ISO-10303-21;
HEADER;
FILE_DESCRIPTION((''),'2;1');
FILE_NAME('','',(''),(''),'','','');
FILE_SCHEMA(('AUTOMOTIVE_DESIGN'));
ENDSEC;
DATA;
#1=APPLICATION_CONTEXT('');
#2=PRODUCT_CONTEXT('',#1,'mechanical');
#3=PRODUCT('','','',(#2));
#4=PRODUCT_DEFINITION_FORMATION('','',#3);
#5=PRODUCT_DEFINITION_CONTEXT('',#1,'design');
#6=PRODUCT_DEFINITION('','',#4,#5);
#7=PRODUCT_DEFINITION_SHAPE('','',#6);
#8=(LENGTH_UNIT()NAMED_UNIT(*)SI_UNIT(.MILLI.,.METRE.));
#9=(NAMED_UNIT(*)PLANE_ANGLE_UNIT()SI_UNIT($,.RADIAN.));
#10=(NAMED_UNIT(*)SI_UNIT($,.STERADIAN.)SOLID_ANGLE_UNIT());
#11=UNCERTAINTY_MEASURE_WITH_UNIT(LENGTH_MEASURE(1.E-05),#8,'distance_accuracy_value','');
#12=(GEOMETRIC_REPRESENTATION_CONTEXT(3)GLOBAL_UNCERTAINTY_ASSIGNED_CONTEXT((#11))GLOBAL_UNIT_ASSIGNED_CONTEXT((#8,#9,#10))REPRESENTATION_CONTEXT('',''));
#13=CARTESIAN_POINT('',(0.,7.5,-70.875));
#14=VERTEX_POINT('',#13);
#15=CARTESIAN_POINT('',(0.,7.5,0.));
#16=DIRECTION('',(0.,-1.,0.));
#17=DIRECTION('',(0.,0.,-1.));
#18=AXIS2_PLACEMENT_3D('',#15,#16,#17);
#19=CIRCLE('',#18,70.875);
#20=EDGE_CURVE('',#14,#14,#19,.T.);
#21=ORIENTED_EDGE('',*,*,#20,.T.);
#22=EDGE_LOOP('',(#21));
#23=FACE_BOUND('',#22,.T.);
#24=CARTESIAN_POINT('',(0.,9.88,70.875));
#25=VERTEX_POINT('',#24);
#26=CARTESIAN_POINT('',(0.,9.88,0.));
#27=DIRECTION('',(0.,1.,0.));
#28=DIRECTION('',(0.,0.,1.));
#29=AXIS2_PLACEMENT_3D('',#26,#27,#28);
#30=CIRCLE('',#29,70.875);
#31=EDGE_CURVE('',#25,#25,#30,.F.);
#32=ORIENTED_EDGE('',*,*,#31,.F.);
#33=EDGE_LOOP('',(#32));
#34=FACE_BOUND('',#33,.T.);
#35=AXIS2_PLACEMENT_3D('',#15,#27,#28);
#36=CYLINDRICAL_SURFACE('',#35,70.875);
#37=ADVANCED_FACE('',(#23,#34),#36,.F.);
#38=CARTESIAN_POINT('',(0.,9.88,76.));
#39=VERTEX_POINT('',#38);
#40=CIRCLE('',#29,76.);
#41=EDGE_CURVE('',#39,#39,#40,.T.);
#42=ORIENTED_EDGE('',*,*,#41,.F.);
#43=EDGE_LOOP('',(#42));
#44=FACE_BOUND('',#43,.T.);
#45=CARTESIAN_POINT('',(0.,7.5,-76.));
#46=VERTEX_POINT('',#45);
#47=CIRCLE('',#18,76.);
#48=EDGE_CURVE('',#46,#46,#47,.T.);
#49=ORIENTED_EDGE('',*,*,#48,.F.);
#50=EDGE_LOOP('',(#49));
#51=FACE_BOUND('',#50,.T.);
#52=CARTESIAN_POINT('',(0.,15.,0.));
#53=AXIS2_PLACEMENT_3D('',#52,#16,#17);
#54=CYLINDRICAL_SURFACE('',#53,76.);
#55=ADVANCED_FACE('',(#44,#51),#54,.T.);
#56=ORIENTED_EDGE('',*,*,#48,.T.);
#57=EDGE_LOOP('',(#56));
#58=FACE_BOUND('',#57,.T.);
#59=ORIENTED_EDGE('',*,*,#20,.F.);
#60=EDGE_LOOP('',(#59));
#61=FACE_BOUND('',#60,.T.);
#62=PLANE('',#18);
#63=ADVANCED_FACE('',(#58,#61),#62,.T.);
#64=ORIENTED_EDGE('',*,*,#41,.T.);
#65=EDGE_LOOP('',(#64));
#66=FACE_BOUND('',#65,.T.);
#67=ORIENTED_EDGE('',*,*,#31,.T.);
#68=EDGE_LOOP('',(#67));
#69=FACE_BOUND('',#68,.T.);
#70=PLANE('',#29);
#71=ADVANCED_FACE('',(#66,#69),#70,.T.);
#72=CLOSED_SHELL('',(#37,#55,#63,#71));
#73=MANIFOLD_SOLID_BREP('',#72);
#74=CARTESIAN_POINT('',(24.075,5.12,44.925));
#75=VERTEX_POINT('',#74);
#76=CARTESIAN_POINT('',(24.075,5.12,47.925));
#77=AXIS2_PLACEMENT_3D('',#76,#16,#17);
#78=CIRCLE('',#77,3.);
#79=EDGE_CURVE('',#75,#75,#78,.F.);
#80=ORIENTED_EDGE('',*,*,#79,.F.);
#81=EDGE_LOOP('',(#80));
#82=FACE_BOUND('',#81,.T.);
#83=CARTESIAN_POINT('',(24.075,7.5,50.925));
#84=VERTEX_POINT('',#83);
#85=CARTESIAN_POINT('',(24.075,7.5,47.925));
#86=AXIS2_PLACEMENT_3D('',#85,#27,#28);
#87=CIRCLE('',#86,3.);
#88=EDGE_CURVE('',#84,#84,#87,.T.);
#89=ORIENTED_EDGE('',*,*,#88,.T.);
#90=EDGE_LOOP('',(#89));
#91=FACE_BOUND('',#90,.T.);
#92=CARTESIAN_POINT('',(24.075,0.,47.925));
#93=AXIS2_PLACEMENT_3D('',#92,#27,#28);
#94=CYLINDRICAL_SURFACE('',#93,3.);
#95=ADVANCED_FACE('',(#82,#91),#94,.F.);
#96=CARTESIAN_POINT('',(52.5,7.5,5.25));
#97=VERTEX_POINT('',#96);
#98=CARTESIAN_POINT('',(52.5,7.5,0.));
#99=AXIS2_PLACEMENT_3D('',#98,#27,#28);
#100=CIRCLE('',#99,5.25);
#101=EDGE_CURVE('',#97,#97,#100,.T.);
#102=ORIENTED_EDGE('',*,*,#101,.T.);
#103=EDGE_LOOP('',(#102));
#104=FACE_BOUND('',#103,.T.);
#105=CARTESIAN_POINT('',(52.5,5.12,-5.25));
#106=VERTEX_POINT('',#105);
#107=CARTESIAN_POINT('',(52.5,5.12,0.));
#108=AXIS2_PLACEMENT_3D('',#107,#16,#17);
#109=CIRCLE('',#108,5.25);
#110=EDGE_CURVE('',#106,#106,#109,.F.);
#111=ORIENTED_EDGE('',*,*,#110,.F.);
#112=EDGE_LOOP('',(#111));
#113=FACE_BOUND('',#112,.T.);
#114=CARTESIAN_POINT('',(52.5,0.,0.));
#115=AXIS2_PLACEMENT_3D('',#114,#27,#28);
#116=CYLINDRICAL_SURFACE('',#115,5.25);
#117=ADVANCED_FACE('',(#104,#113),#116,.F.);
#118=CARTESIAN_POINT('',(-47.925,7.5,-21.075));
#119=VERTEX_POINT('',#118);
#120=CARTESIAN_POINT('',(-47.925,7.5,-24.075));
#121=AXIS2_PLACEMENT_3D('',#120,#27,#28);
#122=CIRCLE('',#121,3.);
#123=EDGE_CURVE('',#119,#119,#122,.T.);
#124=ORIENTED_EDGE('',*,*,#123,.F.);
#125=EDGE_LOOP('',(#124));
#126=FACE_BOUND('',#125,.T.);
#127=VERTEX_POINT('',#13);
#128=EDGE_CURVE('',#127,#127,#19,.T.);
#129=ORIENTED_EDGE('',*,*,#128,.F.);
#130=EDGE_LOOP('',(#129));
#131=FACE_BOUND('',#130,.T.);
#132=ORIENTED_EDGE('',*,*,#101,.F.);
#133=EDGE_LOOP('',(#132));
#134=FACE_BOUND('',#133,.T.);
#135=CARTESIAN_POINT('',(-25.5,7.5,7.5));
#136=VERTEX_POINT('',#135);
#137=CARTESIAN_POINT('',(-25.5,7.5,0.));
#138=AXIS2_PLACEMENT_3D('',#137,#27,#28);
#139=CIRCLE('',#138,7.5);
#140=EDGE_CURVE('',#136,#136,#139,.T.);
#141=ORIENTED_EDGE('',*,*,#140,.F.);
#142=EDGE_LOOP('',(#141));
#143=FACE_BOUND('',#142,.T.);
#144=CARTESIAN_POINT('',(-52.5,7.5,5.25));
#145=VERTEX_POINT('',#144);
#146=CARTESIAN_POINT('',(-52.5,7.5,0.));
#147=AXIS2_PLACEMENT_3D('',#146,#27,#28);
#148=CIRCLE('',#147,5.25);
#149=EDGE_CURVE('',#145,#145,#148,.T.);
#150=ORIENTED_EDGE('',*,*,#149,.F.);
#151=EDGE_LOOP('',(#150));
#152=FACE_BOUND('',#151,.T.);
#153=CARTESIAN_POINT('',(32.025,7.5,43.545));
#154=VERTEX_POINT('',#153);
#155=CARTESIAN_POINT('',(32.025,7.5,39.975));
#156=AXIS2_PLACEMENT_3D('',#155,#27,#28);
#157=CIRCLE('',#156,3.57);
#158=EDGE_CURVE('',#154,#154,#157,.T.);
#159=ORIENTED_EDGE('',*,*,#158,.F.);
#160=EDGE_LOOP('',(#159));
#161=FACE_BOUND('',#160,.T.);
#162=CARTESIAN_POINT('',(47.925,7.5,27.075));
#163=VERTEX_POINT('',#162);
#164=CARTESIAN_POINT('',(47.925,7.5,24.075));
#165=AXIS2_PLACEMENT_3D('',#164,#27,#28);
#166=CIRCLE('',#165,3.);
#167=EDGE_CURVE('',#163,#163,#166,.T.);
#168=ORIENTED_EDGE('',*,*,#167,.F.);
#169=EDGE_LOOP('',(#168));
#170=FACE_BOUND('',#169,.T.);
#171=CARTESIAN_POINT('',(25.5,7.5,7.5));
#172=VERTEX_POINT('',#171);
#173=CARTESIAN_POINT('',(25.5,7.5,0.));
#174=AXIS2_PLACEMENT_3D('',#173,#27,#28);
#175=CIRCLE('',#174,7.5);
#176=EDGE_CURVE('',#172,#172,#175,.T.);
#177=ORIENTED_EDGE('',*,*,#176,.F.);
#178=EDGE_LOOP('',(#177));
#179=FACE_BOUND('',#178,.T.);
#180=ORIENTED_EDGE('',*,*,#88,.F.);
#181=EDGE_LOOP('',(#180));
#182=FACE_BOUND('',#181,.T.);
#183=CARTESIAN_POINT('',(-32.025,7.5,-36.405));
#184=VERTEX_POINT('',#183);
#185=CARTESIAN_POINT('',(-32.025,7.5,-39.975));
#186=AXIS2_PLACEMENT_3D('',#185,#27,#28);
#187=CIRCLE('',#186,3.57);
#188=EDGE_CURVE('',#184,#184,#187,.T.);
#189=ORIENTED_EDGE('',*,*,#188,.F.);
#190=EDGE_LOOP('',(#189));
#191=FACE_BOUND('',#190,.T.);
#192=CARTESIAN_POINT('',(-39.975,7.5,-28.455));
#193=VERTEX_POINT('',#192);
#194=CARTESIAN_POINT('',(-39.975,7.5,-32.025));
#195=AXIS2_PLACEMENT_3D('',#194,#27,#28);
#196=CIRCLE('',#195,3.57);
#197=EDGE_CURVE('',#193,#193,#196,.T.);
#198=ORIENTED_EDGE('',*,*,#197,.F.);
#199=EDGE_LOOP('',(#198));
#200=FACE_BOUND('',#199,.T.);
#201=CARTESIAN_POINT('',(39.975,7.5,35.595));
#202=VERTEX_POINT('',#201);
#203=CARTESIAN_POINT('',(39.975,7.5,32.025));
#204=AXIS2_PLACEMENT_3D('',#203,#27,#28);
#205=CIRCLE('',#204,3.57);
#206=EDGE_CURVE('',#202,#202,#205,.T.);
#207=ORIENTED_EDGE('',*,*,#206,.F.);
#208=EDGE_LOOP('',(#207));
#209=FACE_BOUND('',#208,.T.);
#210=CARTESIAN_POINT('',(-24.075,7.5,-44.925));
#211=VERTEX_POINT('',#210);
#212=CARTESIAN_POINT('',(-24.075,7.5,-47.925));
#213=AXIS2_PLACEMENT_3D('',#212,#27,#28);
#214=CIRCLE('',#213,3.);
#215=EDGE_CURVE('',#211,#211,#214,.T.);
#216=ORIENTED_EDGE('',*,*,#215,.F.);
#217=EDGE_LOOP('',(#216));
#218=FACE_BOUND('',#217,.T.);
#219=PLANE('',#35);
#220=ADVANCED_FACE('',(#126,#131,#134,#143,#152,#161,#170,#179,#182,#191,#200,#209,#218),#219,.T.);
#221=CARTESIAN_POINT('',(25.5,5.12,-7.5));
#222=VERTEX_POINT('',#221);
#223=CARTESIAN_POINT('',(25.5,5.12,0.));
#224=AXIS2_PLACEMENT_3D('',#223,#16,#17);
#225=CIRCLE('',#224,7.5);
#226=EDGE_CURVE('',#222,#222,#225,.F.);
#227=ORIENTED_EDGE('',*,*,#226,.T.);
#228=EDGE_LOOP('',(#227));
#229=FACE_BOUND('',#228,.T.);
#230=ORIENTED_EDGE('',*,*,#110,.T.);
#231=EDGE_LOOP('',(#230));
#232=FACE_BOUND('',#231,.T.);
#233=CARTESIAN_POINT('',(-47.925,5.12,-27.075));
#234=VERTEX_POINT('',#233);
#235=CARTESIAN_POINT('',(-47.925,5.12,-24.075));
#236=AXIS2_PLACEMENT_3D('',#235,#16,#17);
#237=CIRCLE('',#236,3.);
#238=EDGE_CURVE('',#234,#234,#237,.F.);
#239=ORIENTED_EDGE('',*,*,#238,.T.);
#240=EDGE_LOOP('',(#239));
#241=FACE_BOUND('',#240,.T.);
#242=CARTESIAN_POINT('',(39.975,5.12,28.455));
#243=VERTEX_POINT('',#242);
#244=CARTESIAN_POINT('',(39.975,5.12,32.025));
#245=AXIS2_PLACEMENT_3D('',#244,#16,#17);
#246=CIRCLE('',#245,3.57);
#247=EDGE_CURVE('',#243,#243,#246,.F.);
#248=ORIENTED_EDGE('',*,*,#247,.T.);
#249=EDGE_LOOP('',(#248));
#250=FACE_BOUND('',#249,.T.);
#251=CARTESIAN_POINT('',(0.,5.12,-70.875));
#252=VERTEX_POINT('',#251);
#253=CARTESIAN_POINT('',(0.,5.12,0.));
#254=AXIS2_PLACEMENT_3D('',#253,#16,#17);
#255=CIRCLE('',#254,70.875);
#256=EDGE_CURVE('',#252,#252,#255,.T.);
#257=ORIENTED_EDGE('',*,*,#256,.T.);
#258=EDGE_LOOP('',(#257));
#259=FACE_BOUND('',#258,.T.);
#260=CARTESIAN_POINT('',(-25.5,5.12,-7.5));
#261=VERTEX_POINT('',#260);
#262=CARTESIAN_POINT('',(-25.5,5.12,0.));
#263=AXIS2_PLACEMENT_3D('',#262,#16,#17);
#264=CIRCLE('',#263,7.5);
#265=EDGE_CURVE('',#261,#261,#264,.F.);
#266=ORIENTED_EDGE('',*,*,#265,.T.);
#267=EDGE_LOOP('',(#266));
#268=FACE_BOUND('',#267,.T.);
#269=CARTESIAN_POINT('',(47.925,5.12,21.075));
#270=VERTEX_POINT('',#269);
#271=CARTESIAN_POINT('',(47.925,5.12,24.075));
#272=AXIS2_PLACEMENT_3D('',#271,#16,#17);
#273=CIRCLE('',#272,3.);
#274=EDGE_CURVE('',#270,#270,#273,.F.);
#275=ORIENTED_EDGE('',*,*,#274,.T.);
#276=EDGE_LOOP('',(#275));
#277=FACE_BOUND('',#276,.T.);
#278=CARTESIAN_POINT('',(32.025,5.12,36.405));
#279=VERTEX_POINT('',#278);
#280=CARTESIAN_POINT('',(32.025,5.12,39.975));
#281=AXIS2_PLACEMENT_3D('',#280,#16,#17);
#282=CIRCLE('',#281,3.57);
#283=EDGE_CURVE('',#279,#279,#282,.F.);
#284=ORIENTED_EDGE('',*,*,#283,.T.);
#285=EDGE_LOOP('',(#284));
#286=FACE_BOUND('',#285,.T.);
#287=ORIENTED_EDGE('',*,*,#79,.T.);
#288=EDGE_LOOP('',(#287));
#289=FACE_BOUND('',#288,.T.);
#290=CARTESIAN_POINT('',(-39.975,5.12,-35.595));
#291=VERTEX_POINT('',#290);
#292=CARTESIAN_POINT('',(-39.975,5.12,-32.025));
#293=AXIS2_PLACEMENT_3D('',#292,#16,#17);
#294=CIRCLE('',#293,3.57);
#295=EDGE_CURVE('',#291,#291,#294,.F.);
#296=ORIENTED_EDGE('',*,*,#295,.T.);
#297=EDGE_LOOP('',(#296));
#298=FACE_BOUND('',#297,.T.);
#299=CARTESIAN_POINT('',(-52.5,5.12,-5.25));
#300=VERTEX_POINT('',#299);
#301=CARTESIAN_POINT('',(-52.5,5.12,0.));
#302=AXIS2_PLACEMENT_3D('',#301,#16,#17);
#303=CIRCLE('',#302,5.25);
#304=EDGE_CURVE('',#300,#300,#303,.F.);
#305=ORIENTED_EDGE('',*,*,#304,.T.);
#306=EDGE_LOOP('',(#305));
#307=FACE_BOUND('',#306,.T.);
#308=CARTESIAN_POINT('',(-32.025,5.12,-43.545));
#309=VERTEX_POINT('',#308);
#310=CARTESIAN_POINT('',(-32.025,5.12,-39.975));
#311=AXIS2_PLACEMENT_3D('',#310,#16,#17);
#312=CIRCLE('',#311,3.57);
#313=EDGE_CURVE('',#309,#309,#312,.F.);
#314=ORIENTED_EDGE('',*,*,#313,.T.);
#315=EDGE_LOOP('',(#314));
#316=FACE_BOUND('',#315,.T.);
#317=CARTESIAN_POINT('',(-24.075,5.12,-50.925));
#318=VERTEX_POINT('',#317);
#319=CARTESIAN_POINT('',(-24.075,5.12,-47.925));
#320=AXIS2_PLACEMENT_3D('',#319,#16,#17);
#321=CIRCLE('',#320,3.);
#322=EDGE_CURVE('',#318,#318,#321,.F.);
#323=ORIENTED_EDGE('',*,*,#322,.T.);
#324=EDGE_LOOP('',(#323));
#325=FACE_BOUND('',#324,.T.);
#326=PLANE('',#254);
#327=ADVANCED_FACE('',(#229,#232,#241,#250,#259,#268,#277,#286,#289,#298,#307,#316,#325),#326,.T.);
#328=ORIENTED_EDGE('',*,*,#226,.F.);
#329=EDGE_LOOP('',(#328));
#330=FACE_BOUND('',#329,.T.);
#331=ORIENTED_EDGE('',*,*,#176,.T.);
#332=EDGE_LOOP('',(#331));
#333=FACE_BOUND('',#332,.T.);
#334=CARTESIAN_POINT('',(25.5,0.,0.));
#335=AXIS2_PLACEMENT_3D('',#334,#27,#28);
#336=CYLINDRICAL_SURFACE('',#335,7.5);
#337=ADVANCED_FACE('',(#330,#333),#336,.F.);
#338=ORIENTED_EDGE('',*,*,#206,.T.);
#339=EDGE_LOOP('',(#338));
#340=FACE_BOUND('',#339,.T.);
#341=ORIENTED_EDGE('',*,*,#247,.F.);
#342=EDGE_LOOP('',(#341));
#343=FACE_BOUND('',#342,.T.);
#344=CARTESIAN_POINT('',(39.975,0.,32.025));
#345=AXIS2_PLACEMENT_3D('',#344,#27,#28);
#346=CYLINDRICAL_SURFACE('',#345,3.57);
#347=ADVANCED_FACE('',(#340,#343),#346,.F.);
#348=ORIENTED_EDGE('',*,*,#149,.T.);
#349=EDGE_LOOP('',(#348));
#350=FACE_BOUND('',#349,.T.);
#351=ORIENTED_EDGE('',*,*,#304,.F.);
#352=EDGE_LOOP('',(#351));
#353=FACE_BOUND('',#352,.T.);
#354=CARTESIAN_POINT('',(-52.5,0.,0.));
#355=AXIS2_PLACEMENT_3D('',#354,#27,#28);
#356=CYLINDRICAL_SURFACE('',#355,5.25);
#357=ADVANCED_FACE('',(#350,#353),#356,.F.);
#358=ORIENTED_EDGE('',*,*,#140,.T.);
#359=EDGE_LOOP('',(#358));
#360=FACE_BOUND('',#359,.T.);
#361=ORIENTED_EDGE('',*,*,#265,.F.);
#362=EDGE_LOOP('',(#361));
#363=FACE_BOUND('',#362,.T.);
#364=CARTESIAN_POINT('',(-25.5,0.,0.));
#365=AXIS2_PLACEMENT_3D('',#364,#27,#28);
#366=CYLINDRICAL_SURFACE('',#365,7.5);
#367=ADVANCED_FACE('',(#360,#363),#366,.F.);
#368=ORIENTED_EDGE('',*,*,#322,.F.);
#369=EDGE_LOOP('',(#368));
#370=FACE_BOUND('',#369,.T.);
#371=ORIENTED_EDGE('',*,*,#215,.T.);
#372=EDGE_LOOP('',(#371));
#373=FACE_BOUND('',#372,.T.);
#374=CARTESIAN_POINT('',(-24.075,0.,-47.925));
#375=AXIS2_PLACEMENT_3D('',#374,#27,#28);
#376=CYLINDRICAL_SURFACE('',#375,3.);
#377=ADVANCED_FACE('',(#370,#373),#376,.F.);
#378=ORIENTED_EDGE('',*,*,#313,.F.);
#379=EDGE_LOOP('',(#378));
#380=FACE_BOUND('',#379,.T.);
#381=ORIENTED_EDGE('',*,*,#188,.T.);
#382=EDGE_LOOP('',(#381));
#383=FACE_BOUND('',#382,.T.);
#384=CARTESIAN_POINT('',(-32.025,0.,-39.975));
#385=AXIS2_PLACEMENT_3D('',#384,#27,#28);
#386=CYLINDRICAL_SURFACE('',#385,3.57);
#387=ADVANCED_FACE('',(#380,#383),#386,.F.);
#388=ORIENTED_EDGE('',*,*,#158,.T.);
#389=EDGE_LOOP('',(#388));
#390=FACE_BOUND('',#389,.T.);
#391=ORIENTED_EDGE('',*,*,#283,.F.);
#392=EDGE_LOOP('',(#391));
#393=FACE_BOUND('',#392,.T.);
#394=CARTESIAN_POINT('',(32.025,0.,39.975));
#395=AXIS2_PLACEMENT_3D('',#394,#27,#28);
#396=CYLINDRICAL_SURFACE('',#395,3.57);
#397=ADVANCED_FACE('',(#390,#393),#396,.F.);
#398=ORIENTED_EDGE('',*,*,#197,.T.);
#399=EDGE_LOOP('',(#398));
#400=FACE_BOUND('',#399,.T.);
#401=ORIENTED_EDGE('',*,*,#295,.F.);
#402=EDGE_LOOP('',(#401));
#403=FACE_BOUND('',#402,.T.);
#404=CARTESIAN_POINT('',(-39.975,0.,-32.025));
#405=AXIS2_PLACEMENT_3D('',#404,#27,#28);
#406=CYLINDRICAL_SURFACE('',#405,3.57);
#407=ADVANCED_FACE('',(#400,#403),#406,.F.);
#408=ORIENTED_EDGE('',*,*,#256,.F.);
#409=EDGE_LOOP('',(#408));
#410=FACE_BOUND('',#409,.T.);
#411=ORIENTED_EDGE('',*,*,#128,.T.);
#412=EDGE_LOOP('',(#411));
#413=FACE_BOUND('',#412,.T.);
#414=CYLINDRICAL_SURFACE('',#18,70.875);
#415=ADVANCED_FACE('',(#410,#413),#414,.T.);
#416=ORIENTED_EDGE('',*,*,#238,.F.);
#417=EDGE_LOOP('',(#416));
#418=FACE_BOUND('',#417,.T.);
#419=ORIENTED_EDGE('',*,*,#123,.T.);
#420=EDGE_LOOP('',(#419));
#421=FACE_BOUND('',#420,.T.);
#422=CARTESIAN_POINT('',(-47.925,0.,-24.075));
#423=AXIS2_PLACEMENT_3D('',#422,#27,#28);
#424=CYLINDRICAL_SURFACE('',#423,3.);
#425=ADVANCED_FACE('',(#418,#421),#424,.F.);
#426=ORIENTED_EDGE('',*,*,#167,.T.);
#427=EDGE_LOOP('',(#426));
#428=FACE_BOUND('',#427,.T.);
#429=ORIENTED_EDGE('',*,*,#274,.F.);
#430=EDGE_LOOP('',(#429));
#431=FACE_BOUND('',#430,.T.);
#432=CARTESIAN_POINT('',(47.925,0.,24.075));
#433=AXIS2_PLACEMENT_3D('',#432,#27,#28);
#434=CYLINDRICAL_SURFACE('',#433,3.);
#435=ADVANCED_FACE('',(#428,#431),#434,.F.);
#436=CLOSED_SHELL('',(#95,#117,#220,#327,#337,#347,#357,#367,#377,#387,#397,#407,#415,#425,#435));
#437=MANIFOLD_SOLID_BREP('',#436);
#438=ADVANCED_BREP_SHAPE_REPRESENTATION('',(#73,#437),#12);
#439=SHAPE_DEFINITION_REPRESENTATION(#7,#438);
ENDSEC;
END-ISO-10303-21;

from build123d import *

# Parameters (mm, degrees)
SKETCH1_R           = 76
BOSS_EXTRUDE1_DEPTH = 15
SKETCH2_R           = 70.875
CUT_EXTRUDE1_DEPTH  = 7.5
CUT_EXTRUDE2_START  = -7.5
SKETCH3_R           = 74.25
SKETCH3_R_2         = 70.875
CUT_EXTRUDE2_DEPTH  = 7.5
SKETCH4_R           = 7.5
SKETCH4_R_2         = 5.25
SKETCH4_R_3         = 3.57
SKETCH4_R_4         = 3
CUT_EXTRUDE3_DEPTH  = 7.5
SKETCH10_R          = 76
SKETCH10_R_2        = 74.035858408
CUT_EXTRUDE6_DEPTH  = 7.5
SKETCH12_R          = 76
CUT_EXTRUDE8_DEPTH  = 5.12
SKETCH13_R          = 70.875
CUT_EXTRUDE9_DEPTH  = 5.12


with BuildPart() as part:
    # Sketch1 → Boss-Extrude1 (new body)
    with BuildSketch(Plane(origin=(0, 0, 0), x_dir=(1, 0, 0), z_dir=(0, 1, 0))):
        with Locations(Location((0, 0, 0), (0, 0, 270))):
            Circle(SKETCH1_R)
    extrude(amount=BOSS_EXTRUDE1_DEPTH)

    # Sketch2 → Cut-Extrude1 (cut)
    with BuildSketch(Plane(origin=(0, 15, 0), x_dir=(1, 0, 0), z_dir=(0, 1, 0))):
        with Locations(Location((0, 0, 0), (0, 0, 270))):
            Circle(SKETCH2_R)
    extrude(amount=-CUT_EXTRUDE1_DEPTH, mode=Mode.SUBTRACT)

    # Sketch3 → Cut-Extrude2 (cut)
    with BuildSketch(Plane(origin=(0, 0, 0), x_dir=(-1, 0, 0), z_dir=(0, -1, 0)).offset(CUT_EXTRUDE2_START)):
        with Locations(Location((0, 0, 0), (0, 0, 90))):
            Circle(SKETCH3_R)
        with Locations(Location((0, 0, 0), (0, 0, 270))):
            Circle(SKETCH3_R_2, mode=Mode.SUBTRACT)
    extrude(amount=CUT_EXTRUDE2_DEPTH, mode=Mode.SUBTRACT)


with BuildPart() as cut_extrude2_piece_1:
    # of the separate pieces the step leaves, piece 1, a body of its own (cut_extrude2_pieces)
    add(part.part.solids().sort_by_distance((0, 0, 70.875))[0])

    # Sketch4 → Cut-Extrude3 (cut)
    with BuildSketch(Plane(origin=(0, 7.5, 0), x_dir=(1, 0, 0), z_dir=(0, 1, 0))):
        with Locations(Location((-25.5, 0, 0), (0, 0, 270))):
            Circle(SKETCH4_R)
        with Locations(Location((-52.5, 0, 0), (0, 0, 270))):
            Circle(SKETCH4_R_2)
        with Locations(Location((25.5, 0, 0), (0, 0, 270))):
            Circle(SKETCH4_R)
        with Locations(Location((52.5, 0, 0), (0, 0, 270))):
            Circle(SKETCH4_R_2)
        with Locations(Location((-32.025, 39.975, 0), (0, 0, 270))):
            Circle(SKETCH4_R_3)
        with Locations(Location((-39.975, 32.025, 0), (0, 0, 270))):
            Circle(SKETCH4_R_3)
        with Locations(Location((-47.925, 24.075, 0), (0, 0, 270))):
            Circle(SKETCH4_R_4)
        with Locations(Location((-24.075, 47.925, 0), (0, 0, 270))):
            Circle(SKETCH4_R_4)
        with Locations(Location((32.025, -39.975, 0), (0, 0, 270))):
            Circle(SKETCH4_R_3)
        with Locations(Location((39.975, -32.025, 0), (0, 0, 270))):
            Circle(SKETCH4_R_3)
        with Locations(Location((47.925, -24.075, 0), (0, 0, 270))):
            Circle(SKETCH4_R_4)
        with Locations(Location((24.075, -47.925, 0), (0, 0, 270))):
            Circle(SKETCH4_R_4)
    extrude(amount=-CUT_EXTRUDE3_DEPTH, mode=Mode.SUBTRACT)

    # Sketch13 → Cut-Extrude9 (cut)
    with BuildSketch(Plane.XZ):
        with Locations(Location((0, 0, 0), (0, 0, 90))):
            Circle(SKETCH13_R)
    extrude(amount=-CUT_EXTRUDE9_DEPTH, mode=Mode.SUBTRACT)


with BuildPart() as cut_extrude2_piece_2:
    # of the separate pieces the step leaves, piece 2, a body of its own (cut_extrude2_pieces)
    add(part.part.solids().sort_by_distance((0, 0, 76))[0])

    # Sketch10 → Cut-Extrude6 (cut)
    with BuildSketch(Plane.XZ):
        with Locations(Location((0, 0, 0), (0, 0, 270))):
            Circle(SKETCH10_R)
        Circle(SKETCH10_R_2, mode=Mode.SUBTRACT)
    extrude(amount=-CUT_EXTRUDE6_DEPTH, mode=Mode.SUBTRACT)

    # Sketch12 → Cut-Extrude8 (cut)
    with BuildSketch(Plane(origin=(0, 15, 0), x_dir=(1, 0, 0), z_dir=(0, 1, 0))):
        with Locations(Location((0, 0, 0), (0, 0, 90))):
            Circle(SKETCH12_R)
    extrude(amount=-CUT_EXTRUDE8_DEPTH, mode=Mode.SUBTRACT)


solid = Compound([cut_extrude2_piece_1.part, cut_extrude2_piece_2.part])
